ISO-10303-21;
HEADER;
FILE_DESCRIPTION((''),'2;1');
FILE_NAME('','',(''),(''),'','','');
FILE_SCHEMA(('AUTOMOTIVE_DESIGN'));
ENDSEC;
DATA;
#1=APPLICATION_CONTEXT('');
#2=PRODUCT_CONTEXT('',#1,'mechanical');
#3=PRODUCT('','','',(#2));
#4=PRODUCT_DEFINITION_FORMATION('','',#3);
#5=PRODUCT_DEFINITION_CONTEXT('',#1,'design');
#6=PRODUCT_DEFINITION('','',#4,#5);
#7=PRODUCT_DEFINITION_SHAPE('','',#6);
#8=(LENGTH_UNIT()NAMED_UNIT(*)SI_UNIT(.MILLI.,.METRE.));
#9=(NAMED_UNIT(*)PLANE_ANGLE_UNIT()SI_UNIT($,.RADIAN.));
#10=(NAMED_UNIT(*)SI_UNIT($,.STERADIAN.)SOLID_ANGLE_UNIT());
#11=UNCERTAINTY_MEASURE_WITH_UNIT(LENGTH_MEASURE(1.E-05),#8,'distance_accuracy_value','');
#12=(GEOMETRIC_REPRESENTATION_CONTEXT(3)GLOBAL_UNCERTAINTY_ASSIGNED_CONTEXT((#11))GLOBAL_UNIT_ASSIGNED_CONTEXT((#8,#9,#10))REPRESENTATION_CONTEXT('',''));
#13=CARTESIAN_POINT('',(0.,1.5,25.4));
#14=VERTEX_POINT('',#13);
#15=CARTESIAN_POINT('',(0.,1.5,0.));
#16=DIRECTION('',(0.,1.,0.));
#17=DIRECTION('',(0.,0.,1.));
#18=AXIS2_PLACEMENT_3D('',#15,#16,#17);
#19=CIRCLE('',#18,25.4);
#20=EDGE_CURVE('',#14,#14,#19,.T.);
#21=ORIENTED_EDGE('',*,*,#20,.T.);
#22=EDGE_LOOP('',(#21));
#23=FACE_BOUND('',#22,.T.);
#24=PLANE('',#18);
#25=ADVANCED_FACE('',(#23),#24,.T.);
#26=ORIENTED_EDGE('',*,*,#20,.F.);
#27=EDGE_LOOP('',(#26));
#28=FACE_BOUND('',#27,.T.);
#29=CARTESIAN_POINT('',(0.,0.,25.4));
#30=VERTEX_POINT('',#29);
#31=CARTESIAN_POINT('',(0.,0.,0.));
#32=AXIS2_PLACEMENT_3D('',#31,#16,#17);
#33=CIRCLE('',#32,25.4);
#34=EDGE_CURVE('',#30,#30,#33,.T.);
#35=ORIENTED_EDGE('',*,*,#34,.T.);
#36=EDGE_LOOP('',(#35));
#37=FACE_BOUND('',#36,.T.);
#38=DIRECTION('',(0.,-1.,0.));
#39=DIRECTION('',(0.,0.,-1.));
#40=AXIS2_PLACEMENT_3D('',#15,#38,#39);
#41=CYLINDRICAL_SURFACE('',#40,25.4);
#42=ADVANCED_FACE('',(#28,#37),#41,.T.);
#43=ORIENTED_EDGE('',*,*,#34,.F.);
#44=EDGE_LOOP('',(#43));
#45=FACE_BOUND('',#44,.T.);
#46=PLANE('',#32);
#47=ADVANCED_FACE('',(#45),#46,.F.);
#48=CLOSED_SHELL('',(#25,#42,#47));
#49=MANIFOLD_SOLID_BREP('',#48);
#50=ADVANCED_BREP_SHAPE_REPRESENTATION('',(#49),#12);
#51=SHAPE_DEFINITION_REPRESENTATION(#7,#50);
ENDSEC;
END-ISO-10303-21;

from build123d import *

# Parameters (mm, degrees)
SKETCH_1_R      = 25.4
EXTRUDE_1_DEPTH = 1.5


with BuildPart() as part:
    # 草图1 → 凸台-拉伸1 (new body)
    with BuildSketch(Plane(origin=(0, 0, 0), x_dir=(1, 0, 0), z_dir=(0, 1, 0))):
        with Locations(Location((0, 0, 0), (0, 0, 270))):  # turned: the seam where the file's is
            Circle(SKETCH_1_R)
    extrude(amount=EXTRUDE_1_DEPTH)


solid = part.part
